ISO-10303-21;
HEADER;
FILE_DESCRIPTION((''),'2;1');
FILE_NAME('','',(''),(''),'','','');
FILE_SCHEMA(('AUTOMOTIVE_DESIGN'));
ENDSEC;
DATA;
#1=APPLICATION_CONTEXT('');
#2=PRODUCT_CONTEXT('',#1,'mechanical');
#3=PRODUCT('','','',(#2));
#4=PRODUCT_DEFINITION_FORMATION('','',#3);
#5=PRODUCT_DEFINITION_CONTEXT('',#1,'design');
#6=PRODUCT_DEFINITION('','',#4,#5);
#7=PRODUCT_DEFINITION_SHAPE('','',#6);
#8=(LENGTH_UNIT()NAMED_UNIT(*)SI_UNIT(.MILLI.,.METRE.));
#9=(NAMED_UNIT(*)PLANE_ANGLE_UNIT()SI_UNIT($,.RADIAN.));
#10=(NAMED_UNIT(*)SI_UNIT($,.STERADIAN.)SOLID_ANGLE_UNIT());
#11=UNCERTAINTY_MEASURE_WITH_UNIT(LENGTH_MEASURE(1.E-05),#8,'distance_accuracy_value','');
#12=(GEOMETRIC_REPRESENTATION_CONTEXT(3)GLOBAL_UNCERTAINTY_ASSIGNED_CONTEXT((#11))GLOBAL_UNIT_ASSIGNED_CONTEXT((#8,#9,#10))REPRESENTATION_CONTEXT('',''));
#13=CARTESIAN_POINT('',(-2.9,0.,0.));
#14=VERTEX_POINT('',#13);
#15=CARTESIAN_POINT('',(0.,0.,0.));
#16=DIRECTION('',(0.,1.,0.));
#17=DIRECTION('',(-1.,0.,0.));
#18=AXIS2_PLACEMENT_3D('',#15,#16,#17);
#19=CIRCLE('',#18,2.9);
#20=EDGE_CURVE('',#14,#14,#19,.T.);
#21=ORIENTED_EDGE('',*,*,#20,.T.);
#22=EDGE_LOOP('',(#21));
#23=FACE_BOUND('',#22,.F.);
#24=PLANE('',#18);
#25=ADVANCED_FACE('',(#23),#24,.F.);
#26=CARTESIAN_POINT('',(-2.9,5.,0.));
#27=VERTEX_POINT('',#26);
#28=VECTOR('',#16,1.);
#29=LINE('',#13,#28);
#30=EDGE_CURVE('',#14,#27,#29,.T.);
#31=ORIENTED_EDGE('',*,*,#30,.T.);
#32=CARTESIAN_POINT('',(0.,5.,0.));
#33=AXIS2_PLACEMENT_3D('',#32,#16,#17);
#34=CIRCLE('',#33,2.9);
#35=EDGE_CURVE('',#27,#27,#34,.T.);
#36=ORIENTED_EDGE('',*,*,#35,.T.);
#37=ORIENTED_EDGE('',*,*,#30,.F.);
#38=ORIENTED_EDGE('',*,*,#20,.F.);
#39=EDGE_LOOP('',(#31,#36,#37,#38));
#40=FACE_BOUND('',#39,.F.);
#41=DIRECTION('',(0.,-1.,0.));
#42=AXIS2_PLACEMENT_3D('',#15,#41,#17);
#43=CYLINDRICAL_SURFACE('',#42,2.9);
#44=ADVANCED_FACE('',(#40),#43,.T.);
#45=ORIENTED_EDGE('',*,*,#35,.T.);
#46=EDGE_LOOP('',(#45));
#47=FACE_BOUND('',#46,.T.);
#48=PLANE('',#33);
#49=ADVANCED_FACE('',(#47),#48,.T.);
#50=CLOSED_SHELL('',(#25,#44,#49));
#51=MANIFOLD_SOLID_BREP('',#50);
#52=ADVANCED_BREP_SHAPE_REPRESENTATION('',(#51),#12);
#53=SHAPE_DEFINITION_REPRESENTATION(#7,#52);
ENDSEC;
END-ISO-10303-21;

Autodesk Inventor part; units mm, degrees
ref_plane "YZ Plane" through (0, 0, 0) normal (1, 0, 0) x (0, 1, 0)
ref_plane "XZ Plane" through (0, 0, 0) normal (0, 1, 0) x (-1, 0, 0)
ref_plane "XY Plane" through (0, 0, 0) normal (0, 0, 1) x (1, 0, 0)
sketch "Sketch1" plane through (0, 0, 0) normal (0, 1, 0) x (-1, 0, 0)
  circle A0 centre (0, 0) radius 2.9
  dimension "d0" = 5.8
extrude "Extrusion1" add sketch "Sketch1" along normal blind 5
properties part number "6D5L peg"
